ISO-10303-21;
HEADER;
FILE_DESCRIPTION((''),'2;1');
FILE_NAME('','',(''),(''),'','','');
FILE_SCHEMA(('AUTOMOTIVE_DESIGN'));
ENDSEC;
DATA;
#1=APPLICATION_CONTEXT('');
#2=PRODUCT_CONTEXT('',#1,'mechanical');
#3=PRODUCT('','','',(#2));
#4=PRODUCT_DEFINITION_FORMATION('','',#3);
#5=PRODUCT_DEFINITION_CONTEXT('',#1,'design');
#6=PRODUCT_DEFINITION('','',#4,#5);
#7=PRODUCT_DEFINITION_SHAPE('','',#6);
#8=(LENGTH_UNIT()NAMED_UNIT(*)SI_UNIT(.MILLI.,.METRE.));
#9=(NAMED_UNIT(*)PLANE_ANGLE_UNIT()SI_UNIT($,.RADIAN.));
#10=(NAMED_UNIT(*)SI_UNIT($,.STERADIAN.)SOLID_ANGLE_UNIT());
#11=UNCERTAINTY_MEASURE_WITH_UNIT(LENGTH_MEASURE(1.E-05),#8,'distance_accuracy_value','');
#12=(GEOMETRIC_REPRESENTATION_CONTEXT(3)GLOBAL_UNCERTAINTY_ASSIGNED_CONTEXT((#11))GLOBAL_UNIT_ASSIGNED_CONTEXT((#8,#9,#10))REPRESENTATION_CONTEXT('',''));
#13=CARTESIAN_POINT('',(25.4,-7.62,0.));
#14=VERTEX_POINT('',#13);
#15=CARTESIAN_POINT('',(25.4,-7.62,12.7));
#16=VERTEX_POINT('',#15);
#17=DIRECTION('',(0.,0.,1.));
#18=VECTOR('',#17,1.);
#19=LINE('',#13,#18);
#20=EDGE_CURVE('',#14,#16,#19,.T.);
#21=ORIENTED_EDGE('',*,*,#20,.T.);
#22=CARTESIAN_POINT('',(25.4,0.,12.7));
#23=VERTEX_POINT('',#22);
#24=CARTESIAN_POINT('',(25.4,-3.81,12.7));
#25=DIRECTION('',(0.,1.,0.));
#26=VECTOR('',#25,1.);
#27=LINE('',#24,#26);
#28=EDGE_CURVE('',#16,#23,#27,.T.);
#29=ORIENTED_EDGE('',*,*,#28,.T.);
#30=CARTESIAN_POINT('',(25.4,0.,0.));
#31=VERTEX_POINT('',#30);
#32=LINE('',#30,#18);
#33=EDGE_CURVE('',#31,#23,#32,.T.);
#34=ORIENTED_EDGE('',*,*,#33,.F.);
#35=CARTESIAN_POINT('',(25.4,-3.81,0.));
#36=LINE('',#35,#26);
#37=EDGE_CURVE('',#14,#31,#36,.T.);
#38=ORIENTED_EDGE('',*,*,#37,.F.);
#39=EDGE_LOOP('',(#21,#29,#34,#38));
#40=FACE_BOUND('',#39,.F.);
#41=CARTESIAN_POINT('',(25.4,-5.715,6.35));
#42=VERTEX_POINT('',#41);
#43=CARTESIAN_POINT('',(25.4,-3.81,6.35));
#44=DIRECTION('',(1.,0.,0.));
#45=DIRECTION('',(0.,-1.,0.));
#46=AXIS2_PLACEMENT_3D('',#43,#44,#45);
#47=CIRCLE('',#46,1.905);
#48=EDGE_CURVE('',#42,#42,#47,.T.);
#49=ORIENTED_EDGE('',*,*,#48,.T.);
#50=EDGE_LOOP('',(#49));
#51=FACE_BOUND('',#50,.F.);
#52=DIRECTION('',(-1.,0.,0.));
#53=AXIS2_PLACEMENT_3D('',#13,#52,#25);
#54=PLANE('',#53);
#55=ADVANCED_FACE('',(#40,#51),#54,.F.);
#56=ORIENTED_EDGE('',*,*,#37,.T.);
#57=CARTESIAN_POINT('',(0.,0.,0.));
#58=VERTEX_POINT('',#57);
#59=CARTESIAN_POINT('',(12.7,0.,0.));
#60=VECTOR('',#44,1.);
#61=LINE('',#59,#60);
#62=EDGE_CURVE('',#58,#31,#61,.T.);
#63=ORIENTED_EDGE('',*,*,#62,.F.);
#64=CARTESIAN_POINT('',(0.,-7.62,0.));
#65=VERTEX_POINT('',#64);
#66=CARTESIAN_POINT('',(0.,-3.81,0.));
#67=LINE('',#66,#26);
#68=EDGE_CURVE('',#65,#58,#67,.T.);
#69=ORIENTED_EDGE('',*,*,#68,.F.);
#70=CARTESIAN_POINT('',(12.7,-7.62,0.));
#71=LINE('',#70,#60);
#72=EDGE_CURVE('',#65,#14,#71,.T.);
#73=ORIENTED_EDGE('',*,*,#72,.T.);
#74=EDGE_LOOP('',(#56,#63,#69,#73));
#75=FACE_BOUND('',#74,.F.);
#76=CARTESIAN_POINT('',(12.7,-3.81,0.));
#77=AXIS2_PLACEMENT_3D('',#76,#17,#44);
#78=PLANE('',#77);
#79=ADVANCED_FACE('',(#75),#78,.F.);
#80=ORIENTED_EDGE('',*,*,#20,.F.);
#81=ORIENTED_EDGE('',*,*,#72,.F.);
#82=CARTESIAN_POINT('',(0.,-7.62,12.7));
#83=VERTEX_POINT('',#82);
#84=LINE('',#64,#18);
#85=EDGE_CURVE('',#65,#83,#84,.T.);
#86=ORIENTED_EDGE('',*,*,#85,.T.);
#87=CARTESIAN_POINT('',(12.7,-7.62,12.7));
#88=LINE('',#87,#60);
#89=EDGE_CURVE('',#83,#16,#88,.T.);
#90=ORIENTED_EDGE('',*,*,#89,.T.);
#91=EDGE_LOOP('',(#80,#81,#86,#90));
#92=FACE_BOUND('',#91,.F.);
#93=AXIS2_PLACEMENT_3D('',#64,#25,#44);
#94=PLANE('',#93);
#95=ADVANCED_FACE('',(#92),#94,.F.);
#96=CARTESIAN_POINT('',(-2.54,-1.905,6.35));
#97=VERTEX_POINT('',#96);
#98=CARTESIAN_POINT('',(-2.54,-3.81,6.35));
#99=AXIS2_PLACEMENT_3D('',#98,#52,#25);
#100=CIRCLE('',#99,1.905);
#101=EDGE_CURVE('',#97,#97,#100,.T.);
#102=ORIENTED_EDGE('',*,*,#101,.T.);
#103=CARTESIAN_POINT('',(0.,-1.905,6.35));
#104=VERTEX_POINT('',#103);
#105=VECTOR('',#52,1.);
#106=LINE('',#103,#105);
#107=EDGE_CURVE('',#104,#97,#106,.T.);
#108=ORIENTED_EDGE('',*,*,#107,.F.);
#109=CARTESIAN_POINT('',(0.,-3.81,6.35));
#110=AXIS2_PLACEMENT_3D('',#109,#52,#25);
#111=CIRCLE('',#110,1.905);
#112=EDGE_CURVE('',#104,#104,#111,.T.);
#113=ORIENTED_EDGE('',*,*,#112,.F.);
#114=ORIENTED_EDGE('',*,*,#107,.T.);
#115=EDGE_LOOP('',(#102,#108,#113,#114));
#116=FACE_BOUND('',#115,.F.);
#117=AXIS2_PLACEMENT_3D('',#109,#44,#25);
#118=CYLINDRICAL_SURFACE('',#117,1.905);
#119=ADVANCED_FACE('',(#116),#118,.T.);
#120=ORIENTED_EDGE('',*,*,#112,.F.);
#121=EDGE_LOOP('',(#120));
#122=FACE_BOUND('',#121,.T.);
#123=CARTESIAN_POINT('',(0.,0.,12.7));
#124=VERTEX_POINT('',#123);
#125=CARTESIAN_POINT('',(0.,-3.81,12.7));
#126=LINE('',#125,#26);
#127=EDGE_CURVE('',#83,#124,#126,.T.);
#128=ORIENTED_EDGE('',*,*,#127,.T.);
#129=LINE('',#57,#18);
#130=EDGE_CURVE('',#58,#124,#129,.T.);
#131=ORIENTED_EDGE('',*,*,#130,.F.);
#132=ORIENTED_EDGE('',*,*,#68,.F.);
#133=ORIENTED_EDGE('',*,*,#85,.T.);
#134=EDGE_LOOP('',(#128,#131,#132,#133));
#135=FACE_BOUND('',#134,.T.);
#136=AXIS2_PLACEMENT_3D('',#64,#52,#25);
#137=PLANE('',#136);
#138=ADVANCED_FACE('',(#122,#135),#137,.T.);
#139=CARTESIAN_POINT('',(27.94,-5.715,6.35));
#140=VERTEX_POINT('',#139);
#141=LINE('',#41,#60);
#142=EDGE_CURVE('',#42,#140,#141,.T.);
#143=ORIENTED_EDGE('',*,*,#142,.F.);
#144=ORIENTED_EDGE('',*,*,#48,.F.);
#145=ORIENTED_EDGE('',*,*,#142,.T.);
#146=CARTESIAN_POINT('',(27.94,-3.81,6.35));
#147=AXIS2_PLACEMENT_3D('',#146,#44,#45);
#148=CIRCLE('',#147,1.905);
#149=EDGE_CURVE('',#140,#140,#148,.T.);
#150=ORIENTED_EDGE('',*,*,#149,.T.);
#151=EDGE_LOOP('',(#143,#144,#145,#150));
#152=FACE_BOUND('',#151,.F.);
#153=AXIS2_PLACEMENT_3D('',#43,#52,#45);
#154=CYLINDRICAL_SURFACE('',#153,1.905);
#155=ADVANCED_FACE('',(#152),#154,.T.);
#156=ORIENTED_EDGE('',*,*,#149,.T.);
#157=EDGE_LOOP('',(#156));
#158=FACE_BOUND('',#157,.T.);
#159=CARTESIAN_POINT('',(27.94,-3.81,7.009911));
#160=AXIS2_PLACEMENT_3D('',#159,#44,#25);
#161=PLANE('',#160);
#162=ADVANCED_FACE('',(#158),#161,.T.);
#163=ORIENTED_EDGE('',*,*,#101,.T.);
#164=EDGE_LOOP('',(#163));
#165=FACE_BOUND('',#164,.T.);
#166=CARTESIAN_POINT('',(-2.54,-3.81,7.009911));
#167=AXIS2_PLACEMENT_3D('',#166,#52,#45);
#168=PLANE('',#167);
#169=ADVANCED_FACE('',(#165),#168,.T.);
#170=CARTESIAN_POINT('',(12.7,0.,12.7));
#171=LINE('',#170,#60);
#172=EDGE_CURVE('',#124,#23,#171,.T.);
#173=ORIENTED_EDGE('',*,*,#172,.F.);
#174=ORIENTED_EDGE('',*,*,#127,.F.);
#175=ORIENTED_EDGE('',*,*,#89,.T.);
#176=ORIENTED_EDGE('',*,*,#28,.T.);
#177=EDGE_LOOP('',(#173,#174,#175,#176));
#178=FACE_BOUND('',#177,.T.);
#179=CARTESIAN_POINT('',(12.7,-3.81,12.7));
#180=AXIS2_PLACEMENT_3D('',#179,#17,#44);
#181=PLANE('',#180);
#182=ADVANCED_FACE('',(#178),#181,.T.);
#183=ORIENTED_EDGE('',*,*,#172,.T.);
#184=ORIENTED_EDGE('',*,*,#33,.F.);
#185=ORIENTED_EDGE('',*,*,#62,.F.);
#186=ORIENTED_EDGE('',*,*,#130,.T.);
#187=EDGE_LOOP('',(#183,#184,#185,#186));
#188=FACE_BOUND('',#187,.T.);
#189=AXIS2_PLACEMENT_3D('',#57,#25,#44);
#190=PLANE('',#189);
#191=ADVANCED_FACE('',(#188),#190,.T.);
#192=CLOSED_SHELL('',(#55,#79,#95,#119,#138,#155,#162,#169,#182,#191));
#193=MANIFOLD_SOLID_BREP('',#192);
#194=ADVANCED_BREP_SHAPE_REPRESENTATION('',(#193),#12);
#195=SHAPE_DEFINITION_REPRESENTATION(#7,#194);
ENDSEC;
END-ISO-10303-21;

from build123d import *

# Parameters (mm, degrees)
F0_W     = 25.4
F0_H     = 7.62
F1_DEPTH = 12.7
F3_DEPTH = 2.54
F5_DEPTH = 2.54


with BuildPart() as f1:
    # F0 (on Top) → F1 (new body)
    with BuildSketch(Plane.XY):
        with Locations((12.7, -3.81)):
            Rectangle(F0_W, F0_H)
    extrude(amount=F1_DEPTH)

    # F2 (on face) → F3 (join)
    with BuildSketch(Plane.YZ.offset(25.4)):
        with BuildLine():
            Line((-5.715, 6.35), (-3.81, 6.35))
            Line((-3.81, 6.35), (-1.905, 6.35))
            ThreePointArc((-1.905, 6.35), (-3.81, 8.255), (-5.715, 6.35))
        make_face()
        with BuildLine():
            Line((-1.905, 6.35), (-3.81, 6.35))
            Line((-3.81, 6.35), (-5.715, 6.35))
            ThreePointArc((-5.715, 6.35), (-3.81, 4.445), (-1.905, 6.35))
        make_face()
    extrude(amount=F3_DEPTH)

    # F4 (on face) → F5 (join)
    with BuildSketch(Plane(origin=(0, 0, 0), x_dir=(0, -1, 0), z_dir=(-1, 0, 0))):
        with BuildLine():
            Line((1.905, 6.35), (3.81, 6.35))
            Line((3.81, 6.35), (5.715, 6.35))
            ThreePointArc((5.715, 6.35), (3.81, 8.255), (1.905, 6.35))
        make_face()
        with BuildLine():
            Line((5.715, 6.35), (3.81, 6.35))
            Line((3.81, 6.35), (1.905, 6.35))
            ThreePointArc((1.905, 6.35), (3.81, 4.445), (5.715, 6.35))
        make_face()
    extrude(amount=F5_DEPTH)


solid = f1.part
